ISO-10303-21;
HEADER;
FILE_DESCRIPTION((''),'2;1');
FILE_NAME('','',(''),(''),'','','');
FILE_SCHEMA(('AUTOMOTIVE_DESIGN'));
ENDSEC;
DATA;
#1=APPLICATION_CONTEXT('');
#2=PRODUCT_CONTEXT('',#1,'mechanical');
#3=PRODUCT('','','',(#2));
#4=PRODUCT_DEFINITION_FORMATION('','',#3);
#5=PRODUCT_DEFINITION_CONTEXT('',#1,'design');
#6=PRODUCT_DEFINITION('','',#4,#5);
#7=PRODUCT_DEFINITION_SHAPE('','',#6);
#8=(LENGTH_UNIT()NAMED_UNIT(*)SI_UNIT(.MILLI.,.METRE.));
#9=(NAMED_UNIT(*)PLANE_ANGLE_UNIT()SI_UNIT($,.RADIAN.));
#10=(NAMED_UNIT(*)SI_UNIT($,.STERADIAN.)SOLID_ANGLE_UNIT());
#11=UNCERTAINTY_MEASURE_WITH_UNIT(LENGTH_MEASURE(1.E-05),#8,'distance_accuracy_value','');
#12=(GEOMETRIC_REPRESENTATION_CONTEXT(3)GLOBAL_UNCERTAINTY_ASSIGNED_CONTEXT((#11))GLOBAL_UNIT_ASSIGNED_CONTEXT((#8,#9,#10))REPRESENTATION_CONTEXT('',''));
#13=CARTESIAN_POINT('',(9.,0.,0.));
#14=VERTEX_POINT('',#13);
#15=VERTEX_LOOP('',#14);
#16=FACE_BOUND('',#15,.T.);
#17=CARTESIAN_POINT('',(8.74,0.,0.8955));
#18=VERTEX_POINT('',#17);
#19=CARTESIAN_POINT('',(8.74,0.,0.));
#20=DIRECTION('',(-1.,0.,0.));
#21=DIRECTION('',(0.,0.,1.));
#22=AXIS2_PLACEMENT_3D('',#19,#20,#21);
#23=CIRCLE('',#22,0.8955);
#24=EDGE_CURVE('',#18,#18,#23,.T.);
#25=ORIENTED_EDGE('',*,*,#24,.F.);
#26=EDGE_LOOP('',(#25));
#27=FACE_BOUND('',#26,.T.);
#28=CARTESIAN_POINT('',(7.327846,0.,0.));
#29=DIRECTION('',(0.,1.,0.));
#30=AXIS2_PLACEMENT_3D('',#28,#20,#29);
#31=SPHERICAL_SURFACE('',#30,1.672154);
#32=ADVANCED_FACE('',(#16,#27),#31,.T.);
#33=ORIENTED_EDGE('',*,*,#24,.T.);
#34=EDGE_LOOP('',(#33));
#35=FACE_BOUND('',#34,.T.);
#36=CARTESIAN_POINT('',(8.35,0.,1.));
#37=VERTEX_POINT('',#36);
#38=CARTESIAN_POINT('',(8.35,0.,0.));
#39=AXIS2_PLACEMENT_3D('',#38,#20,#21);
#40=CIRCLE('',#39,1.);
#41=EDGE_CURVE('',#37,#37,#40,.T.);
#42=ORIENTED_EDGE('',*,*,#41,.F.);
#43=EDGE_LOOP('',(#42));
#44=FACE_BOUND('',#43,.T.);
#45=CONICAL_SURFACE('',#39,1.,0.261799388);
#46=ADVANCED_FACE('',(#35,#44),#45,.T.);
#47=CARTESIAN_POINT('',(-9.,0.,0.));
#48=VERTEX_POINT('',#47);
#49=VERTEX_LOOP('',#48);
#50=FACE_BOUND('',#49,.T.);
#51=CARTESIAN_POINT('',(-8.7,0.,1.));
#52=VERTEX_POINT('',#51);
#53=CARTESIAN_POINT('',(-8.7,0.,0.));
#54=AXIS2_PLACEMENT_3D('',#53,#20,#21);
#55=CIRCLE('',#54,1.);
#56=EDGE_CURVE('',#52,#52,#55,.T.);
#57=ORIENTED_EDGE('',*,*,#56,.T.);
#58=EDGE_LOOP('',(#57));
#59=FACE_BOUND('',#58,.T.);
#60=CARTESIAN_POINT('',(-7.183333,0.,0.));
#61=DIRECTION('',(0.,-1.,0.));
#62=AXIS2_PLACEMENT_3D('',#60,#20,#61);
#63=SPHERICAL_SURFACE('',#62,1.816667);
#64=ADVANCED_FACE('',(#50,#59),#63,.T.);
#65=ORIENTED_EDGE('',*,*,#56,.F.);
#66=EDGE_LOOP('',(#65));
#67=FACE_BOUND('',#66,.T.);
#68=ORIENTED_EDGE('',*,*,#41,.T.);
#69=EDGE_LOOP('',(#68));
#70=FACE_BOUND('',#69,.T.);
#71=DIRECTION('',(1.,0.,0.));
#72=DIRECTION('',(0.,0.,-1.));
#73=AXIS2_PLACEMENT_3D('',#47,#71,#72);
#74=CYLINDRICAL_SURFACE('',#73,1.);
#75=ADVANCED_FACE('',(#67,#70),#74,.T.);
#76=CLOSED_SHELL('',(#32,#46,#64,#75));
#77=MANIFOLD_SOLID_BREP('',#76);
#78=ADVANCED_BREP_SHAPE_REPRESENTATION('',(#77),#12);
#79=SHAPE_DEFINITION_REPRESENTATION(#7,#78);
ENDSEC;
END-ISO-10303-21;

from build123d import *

# Parameters (mm, degrees)
EXTRUDE1_DEPTH      = 9
EXTRUDE1_DEPTH_BACK = 9
SKETCH2_R           = 1


with BuildPart() as part:
    # Sketch2 → Extrude1 (new, two sides: drawn at the far end of the back side and taken through both)
    with BuildSketch(Plane(origin=(0, 0, 0), x_dir=(0, 0, -1), z_dir=(1, 0, 0)).offset(-EXTRUDE1_DEPTH_BACK)):
        Circle(SKETCH2_R)
    extrude(amount=EXTRUDE1_DEPTH + EXTRUDE1_DEPTH_BACK)

    # Sketch5 → Cut-Revolve1 (revolve, cut)
    with BuildSketch(Plane.XY, mode=Mode.PRIVATE) as cut_revolve1_sk:
        with BuildLine():
            Line((8.35, 1), (8.35, 1.5))
            Line((8.35, 1.5), (9.5, 1.5))
            Line((9.5, 1.5), (9.5, 0))
            Line((9.5, 0), (9, 0))
            ThreePointArc((9, 0), (8.933685026, 0.46624026), (8.74, 0.895499815))
            Line((8.74, 0.895499815), (8.35, 1))
        make_face()
        with BuildLine():
            Line((-8.7, 1), (-8.7, 1.5))
            Line((-8.7, 1.5), (-9.5, 1.5))
            Line((-9.5, 1.5), (-9.5, 0))
            Line((-9.5, 0), (-9, 0))
            ThreePointArc((-9, 0), (-8.923384418, 0.522015325), (-8.7, 1))
        make_face()
    revolve(cut_revolve1_sk.sketch.rotate(Axis((-9, 0, 0), (1, 0, 0)), 90), axis=Axis((-9, 0, 0), (1, 0, 0)), mode=Mode.SUBTRACT)


solid = part.part
